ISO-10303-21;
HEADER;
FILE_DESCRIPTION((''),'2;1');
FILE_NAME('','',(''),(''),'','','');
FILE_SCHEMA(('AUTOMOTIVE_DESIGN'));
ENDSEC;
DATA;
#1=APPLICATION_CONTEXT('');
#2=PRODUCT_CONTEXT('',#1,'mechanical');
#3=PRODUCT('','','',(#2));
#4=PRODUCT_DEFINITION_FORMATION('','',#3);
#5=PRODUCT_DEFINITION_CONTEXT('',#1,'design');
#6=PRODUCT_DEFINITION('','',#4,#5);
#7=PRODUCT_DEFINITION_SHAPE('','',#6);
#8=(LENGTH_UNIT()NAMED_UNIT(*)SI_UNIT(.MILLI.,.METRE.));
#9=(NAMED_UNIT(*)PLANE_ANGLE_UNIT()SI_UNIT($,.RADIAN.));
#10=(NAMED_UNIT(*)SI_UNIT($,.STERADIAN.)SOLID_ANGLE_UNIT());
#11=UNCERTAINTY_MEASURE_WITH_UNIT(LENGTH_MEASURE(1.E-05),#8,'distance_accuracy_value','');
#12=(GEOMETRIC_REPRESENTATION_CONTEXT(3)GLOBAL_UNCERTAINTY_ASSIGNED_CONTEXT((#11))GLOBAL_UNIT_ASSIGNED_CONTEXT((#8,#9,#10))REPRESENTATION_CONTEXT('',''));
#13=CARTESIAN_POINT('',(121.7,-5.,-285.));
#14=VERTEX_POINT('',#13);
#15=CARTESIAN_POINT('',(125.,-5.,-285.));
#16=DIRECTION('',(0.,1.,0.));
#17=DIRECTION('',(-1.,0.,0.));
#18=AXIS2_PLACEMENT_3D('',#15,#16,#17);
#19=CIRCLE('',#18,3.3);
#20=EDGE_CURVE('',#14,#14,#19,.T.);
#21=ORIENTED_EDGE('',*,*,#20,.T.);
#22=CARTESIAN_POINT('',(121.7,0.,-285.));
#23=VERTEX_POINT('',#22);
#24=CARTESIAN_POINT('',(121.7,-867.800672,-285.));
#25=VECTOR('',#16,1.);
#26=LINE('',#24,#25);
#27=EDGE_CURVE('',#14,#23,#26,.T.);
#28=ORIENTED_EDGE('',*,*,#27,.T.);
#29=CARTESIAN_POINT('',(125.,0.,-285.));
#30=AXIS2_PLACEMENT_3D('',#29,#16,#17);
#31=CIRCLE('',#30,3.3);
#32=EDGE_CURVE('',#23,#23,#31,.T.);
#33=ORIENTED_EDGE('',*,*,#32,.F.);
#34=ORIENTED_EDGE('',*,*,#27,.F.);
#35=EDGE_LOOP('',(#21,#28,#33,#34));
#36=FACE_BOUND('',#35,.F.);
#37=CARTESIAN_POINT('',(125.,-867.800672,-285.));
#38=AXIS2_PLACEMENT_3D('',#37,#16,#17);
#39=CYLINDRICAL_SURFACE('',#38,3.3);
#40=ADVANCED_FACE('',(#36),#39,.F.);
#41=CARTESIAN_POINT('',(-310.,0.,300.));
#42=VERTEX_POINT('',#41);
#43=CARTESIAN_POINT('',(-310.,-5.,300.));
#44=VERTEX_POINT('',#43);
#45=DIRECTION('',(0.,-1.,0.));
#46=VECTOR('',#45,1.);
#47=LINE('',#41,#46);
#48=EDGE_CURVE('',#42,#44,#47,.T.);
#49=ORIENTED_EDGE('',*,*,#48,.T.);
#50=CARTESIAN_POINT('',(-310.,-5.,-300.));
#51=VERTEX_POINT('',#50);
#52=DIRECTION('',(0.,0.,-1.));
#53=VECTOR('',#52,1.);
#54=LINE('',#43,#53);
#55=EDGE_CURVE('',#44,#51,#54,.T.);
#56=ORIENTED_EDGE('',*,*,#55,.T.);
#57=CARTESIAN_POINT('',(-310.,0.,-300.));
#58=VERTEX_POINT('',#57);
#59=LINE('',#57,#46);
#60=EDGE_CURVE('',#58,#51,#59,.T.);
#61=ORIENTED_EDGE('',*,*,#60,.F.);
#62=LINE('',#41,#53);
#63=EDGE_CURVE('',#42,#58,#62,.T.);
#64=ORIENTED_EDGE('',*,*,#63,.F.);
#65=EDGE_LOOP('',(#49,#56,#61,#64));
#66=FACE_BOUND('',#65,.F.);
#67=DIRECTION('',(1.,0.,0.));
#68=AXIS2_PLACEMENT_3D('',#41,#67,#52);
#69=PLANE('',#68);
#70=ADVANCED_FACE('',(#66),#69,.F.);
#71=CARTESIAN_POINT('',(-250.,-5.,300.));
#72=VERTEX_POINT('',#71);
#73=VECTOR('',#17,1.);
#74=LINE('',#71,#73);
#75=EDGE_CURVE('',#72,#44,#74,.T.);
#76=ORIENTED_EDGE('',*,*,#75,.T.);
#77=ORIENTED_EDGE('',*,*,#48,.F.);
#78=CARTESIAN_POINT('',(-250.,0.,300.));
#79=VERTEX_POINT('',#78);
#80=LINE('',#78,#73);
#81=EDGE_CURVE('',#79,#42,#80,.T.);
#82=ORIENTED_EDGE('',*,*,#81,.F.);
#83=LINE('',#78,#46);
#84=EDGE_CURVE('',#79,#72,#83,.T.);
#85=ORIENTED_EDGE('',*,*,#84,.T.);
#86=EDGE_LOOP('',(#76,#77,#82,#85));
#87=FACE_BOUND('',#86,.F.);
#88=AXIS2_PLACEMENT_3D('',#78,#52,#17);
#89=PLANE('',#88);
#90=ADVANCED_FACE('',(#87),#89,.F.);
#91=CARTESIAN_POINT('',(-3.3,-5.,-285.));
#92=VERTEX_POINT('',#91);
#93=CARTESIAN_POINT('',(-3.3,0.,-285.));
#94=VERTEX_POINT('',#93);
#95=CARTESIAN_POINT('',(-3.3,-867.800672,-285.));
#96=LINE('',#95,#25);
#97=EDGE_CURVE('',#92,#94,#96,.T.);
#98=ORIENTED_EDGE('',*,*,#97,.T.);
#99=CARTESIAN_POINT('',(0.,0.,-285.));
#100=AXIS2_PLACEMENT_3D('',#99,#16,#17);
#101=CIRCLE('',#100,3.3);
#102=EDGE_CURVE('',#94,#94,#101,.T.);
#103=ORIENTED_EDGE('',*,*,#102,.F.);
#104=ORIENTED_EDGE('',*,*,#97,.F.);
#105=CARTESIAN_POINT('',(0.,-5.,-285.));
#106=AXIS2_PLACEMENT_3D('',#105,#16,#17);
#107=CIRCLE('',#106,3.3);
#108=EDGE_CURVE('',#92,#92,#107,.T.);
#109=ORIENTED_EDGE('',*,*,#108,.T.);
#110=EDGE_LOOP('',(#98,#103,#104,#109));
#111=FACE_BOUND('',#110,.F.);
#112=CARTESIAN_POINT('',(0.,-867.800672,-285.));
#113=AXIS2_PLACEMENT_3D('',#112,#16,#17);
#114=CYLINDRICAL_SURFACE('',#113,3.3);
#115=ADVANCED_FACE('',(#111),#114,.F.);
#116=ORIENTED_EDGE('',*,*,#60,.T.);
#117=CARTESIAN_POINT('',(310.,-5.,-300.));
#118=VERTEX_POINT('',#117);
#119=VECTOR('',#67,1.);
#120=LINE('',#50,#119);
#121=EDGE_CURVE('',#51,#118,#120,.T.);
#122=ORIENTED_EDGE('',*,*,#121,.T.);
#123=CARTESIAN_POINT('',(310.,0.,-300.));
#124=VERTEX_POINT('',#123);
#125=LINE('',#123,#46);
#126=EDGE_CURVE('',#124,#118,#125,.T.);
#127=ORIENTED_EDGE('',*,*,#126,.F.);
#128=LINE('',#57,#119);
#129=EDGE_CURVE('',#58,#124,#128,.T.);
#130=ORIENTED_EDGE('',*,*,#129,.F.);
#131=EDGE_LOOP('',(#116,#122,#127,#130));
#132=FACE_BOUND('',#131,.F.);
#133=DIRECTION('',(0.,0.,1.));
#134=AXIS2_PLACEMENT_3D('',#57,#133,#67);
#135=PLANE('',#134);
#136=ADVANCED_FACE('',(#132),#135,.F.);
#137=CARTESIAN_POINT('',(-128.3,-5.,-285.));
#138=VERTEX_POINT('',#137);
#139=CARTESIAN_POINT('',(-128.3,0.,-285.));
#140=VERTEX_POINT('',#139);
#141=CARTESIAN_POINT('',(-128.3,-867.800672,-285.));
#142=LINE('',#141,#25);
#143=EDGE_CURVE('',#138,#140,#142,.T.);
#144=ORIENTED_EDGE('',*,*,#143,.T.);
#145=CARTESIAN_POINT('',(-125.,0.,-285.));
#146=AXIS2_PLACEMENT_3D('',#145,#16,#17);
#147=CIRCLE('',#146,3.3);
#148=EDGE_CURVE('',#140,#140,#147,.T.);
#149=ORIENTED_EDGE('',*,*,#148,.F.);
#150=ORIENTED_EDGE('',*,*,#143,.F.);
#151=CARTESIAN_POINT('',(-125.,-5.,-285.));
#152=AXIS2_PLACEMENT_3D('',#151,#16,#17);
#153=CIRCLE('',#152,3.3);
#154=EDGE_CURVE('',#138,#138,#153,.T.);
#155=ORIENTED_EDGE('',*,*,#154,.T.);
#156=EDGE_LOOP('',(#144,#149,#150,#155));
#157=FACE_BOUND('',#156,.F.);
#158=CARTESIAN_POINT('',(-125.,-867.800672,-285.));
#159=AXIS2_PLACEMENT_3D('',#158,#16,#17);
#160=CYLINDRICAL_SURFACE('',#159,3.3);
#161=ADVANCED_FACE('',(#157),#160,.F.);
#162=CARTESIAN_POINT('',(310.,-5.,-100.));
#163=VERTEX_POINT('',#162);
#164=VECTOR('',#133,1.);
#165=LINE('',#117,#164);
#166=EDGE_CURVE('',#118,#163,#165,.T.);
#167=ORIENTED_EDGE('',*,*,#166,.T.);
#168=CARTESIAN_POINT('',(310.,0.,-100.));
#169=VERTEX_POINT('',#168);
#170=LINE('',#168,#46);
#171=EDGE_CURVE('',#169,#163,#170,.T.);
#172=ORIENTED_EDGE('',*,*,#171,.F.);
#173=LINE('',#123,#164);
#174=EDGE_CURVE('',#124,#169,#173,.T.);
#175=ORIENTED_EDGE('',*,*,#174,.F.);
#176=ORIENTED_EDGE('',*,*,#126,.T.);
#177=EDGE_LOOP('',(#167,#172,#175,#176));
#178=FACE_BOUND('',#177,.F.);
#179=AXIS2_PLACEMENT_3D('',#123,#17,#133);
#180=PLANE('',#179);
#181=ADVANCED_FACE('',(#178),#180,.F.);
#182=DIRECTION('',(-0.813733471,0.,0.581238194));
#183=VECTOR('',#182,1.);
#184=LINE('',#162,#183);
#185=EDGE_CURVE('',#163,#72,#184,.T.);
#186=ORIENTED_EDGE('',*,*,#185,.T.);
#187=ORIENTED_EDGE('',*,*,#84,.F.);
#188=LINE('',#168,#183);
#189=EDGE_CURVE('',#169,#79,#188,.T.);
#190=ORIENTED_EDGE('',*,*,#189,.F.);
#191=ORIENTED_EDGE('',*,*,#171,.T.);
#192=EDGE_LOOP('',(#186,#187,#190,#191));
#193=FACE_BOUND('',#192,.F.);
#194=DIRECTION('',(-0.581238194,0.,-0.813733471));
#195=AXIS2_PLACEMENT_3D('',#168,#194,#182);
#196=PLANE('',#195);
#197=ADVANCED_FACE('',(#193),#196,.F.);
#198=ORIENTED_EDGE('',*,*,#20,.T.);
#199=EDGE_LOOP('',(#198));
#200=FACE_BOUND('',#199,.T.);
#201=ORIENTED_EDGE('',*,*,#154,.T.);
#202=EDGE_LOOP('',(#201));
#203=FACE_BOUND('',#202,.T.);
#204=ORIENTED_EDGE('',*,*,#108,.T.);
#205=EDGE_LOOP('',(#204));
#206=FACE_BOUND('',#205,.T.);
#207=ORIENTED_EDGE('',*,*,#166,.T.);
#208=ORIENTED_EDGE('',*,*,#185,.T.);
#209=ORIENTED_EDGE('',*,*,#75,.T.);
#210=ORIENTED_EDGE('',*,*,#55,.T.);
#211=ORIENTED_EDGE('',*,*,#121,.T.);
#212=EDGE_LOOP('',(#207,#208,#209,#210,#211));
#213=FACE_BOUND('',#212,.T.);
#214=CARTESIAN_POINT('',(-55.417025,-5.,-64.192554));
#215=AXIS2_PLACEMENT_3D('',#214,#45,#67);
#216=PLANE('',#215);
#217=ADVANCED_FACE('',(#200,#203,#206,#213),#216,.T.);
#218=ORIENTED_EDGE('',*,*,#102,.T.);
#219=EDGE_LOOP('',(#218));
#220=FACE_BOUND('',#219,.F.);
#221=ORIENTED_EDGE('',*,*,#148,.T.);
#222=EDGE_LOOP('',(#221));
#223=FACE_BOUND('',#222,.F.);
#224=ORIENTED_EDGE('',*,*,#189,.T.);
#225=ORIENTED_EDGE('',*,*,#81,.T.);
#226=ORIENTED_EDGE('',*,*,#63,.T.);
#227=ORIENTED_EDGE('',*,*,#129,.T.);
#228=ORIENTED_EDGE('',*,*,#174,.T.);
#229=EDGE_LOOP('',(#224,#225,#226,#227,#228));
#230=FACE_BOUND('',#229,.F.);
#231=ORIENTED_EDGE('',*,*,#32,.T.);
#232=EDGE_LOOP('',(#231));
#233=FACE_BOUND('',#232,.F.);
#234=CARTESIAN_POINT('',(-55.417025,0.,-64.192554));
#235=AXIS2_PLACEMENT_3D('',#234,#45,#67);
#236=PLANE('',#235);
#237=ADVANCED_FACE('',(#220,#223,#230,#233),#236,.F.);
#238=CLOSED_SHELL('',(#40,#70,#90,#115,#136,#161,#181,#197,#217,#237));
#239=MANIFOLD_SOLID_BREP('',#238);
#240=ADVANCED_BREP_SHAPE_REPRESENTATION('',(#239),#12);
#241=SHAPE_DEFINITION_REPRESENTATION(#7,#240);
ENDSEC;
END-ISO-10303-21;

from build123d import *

# Parameters (mm, degrees)
F1_DEPTH = 5
F3_D     = 6.6


with BuildPart() as f1:
    # F0 (on Front) → F1 (new body)
    with BuildSketch(Plane.XZ):
        Polygon((-250, 300), (-310, 300), (-310, -300), (310, -300), (310, -100), align=None)
    extrude(amount=F1_DEPTH)

    # F3 (through all)
    with Locations(Plane.XZ.offset(5)):
        with Locations((-125, -285), (0, -285), (125, -285)):
            Hole(F3_D / 2)


solid = f1.part
